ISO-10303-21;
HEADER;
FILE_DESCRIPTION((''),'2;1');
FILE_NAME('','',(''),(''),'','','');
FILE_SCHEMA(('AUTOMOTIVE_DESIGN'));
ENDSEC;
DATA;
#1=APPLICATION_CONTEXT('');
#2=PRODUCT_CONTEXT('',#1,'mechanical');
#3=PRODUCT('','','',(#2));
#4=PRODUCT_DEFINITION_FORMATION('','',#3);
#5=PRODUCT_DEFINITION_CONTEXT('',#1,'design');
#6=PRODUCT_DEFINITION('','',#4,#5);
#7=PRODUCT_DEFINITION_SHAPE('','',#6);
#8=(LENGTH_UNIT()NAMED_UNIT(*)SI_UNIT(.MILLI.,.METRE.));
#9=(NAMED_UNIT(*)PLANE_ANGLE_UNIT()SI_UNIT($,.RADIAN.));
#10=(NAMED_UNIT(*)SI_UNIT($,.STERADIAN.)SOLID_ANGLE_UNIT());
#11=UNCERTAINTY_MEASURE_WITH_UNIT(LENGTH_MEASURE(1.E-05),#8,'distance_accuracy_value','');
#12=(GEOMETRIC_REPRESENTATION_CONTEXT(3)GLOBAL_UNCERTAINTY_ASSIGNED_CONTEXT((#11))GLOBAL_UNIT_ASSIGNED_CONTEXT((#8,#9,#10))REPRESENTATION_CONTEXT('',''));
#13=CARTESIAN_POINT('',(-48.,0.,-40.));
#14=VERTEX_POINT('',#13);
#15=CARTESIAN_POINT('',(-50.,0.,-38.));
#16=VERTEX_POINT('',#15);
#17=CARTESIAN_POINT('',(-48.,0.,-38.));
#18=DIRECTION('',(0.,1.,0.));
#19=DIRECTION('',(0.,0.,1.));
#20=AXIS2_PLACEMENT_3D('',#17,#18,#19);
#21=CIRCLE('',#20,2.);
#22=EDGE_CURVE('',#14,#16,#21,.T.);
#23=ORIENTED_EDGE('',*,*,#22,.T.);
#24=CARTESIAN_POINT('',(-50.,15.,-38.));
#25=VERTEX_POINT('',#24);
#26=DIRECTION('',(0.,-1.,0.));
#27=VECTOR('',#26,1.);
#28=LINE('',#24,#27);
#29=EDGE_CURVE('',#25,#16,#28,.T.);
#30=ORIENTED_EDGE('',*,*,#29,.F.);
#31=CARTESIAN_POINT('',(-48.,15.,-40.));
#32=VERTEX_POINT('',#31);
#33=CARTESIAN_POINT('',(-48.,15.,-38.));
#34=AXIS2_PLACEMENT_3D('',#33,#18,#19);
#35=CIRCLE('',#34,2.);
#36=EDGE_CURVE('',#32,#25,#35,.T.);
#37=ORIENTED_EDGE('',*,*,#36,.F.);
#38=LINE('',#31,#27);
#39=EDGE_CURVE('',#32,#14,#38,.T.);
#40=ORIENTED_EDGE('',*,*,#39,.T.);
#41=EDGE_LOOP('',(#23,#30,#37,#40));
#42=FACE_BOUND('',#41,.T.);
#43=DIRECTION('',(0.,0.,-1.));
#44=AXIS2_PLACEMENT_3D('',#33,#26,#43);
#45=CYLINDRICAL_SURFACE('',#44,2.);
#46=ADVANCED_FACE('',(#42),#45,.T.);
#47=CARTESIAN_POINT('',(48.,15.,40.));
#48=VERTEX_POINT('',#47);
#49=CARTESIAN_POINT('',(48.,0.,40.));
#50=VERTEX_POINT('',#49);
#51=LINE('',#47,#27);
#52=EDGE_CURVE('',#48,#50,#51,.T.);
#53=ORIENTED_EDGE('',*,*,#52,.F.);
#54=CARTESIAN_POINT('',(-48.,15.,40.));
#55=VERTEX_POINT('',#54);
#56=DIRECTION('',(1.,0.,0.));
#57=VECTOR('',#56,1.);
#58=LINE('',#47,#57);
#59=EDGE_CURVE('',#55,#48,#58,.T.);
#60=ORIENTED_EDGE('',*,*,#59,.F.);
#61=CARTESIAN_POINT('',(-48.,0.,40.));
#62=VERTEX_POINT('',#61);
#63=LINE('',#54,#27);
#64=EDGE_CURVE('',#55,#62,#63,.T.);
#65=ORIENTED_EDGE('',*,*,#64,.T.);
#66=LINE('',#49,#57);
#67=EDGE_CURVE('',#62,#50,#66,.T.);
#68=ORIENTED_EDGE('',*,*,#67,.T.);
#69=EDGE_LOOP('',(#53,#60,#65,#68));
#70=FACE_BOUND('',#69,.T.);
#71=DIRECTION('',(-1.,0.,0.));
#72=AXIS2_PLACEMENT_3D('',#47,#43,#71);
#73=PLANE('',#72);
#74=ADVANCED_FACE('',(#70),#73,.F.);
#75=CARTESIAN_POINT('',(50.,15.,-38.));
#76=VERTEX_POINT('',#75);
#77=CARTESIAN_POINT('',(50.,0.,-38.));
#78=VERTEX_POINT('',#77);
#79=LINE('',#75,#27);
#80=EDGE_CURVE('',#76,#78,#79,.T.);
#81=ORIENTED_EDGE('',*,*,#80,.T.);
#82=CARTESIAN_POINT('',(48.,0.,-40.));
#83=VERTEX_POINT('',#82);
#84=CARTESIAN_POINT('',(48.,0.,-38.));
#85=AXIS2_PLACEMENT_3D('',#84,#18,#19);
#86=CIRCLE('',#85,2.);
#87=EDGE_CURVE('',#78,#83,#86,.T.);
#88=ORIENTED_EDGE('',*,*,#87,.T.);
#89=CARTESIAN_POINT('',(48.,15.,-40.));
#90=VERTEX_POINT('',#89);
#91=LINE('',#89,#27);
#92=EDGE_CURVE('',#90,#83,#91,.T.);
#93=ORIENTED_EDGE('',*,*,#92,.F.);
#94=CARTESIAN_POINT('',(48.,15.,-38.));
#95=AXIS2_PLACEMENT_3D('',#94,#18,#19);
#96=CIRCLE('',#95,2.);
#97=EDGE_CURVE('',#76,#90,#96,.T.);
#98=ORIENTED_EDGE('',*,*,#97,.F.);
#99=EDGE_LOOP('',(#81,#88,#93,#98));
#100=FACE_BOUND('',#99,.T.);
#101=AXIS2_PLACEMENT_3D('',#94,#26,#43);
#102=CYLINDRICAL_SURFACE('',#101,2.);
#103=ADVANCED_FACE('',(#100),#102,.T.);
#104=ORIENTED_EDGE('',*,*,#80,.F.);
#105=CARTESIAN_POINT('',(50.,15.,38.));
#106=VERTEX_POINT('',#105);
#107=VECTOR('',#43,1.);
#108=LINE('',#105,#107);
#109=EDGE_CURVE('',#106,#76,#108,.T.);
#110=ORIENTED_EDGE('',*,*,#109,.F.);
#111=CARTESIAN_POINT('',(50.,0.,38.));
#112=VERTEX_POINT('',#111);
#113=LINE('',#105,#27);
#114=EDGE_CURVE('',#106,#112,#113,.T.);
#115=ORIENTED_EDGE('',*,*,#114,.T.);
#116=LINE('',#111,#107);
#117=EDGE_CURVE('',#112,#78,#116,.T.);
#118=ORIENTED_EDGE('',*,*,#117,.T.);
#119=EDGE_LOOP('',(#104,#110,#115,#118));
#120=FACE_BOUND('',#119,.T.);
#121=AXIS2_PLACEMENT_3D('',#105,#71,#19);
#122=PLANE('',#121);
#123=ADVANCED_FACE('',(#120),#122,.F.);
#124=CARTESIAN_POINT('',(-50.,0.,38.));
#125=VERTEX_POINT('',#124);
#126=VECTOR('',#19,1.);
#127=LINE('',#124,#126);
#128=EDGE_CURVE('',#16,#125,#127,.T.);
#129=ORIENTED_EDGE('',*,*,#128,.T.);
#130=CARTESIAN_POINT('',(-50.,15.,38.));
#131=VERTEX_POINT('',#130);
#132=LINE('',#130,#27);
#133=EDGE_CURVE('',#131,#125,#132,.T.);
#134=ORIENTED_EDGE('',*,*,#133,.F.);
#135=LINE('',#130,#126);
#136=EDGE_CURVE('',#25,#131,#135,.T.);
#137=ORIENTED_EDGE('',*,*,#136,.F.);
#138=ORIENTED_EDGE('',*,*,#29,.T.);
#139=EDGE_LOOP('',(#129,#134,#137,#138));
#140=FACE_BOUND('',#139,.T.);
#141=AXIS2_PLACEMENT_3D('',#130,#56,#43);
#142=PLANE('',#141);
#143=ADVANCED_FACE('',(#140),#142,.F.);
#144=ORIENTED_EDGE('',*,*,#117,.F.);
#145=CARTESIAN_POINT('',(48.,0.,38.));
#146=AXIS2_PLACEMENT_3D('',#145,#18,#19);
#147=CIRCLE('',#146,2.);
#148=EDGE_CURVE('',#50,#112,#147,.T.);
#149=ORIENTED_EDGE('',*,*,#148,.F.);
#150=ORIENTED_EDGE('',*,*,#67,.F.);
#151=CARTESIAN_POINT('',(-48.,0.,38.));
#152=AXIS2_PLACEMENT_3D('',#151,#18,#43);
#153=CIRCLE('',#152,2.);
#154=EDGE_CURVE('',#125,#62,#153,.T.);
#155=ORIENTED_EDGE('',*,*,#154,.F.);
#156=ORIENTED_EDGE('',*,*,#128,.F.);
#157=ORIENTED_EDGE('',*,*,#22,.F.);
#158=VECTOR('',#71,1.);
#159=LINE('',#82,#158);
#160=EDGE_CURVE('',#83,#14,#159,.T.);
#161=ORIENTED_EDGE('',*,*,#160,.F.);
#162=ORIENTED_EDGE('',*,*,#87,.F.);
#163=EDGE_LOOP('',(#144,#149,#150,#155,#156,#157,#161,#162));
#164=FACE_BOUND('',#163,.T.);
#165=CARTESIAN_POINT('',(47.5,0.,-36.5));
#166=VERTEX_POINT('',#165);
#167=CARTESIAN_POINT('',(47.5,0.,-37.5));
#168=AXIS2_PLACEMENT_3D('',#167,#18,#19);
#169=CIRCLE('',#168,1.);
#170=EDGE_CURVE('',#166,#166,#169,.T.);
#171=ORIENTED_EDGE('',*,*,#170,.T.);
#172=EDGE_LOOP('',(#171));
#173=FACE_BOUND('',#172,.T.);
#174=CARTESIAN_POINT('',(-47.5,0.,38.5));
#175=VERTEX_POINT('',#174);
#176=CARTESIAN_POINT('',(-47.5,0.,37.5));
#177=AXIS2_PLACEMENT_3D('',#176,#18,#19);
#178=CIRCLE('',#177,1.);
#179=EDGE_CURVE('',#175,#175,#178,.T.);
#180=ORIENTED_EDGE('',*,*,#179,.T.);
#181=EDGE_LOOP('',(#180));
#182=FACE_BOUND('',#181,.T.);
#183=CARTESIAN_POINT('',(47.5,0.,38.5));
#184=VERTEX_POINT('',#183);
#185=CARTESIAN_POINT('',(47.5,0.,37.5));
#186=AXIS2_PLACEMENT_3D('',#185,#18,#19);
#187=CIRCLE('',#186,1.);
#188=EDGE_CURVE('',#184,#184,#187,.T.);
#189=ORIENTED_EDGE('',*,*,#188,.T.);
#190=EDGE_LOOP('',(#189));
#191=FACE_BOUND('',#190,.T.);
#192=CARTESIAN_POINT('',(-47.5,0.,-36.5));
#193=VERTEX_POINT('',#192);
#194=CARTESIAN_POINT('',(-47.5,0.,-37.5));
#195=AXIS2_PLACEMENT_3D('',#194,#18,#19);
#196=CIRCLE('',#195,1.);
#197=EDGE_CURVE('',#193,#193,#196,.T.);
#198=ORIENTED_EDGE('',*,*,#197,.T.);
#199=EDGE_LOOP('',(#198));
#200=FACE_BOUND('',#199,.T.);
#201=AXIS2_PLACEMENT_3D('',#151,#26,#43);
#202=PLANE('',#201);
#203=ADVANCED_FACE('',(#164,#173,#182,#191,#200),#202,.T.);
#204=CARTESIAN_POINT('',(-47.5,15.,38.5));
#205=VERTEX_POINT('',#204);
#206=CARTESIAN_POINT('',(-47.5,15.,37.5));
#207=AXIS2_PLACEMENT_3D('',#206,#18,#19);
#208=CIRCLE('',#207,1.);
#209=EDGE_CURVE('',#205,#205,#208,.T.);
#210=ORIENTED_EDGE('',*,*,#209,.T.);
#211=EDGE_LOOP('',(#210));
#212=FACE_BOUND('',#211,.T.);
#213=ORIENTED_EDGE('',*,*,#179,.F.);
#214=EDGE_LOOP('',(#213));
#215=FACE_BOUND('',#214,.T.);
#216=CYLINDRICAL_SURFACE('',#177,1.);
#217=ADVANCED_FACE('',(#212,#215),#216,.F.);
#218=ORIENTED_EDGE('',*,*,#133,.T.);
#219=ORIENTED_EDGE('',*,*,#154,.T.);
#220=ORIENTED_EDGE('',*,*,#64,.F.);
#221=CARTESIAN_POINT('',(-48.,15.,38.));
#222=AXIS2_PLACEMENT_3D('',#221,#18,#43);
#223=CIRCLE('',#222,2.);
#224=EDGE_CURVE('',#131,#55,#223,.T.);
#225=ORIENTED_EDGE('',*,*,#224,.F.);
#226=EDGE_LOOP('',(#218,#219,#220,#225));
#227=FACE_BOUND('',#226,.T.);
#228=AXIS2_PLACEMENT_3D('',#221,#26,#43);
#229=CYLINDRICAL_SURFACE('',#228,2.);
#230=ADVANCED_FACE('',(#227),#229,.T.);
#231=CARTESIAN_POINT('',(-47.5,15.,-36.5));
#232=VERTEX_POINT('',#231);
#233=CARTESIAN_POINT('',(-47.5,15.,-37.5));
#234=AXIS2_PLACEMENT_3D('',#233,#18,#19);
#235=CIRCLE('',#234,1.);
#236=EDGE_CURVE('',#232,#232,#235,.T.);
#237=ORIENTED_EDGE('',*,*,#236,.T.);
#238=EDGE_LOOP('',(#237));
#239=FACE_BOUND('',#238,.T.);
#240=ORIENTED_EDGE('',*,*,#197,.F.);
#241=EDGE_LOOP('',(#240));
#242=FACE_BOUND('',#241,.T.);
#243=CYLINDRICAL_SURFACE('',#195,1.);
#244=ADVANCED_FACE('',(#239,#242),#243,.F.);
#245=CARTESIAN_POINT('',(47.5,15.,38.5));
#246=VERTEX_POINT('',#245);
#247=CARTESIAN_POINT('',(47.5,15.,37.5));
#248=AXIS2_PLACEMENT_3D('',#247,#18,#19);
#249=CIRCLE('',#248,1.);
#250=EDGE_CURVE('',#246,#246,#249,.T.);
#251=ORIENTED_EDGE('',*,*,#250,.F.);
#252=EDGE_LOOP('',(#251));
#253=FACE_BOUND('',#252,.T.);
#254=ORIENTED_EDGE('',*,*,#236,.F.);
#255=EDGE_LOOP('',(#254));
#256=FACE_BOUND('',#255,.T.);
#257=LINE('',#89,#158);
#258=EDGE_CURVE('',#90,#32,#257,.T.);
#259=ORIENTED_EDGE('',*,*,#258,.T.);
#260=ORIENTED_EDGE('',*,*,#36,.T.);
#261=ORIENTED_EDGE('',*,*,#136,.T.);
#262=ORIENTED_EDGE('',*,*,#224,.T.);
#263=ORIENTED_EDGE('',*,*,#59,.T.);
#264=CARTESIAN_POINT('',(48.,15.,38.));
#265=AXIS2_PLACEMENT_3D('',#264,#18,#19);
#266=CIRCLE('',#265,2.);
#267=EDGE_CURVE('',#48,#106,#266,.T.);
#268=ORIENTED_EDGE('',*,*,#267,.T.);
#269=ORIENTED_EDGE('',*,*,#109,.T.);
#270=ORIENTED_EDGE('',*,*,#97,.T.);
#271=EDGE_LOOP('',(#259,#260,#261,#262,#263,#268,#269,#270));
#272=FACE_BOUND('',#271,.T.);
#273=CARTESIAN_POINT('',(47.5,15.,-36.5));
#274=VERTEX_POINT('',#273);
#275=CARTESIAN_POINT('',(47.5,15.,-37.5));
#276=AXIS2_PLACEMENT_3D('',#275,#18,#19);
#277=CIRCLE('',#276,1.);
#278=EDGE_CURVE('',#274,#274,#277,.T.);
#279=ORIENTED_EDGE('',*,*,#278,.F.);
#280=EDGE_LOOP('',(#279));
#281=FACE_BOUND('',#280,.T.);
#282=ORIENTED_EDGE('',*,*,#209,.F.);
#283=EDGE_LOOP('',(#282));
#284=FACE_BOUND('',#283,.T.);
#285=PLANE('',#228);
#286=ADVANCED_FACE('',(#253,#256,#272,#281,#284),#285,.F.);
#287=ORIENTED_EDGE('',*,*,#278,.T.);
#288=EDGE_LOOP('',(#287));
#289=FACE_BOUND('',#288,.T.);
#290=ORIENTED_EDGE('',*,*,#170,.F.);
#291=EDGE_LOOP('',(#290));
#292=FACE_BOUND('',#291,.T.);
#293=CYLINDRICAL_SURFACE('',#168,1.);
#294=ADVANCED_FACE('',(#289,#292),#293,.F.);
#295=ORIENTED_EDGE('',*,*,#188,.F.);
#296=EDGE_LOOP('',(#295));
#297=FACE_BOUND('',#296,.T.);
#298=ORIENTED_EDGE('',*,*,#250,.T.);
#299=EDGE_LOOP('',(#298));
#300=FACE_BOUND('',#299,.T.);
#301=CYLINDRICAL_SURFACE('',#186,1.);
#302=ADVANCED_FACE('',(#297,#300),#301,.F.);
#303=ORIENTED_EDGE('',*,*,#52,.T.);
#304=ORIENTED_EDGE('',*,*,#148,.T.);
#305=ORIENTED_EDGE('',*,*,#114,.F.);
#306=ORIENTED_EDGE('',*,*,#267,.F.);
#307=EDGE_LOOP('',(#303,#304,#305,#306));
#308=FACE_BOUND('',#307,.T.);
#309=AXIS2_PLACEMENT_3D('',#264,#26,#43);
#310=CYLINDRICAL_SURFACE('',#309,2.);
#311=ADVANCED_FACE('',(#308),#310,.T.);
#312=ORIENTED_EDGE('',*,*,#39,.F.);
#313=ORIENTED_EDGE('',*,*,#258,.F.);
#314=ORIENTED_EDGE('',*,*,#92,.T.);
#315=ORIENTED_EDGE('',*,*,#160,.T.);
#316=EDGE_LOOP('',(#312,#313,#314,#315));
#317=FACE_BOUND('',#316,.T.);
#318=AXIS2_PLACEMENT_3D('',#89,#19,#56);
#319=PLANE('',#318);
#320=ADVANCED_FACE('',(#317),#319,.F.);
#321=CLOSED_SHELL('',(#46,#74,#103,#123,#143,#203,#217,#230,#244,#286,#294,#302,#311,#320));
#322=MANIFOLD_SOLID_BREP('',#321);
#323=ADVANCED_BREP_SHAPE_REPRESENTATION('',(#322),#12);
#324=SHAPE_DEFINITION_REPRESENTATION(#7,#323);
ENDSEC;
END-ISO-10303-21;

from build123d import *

# Parameters (mm, degrees)
EXTRUDE_1_DEPTH     = 15
SKETCH_2_R          = 1
CUT_EXTRUDE_1_DEPTH = 66.76473219


with BuildPart() as part:
    # 草图1 → 凸台-拉伸1 (new body)
    with BuildSketch(Plane(origin=(0, 0, 0), x_dir=(1, 0, 0), z_dir=(0, 1, 0))):
        with BuildLine():
            Line((48, -40), (-48, -40))
            ThreePointArc((-48, -40), (-49.414213562, -39.414213562), (-50, -38))
            Line((-50, -38), (-50, 38))
            ThreePointArc((-50, 38), (-49.414213562, 39.414213562), (-48, 40))
            Line((-48, 40), (48, 40))
            ThreePointArc((48, 40), (49.414213562, 39.414213562), (50, 38))
            Line((50, 38), (50, -38))
            ThreePointArc((50, -38), (49.414213562, -39.414213562), (48, -40))
        make_face()
    extrude(amount=EXTRUDE_1_DEPTH)

    # 草图2 → 切除-拉伸1 (cut, through all)
    with BuildSketch(Plane(origin=(0, 15, 0), x_dir=(1, 0, 0), z_dir=(0, 1, 0))):
        with Locations(Location((-47.5, 37.5, 0), (0, 0, 270))):
            Circle(SKETCH_2_R)
        with Locations(Location((47.5, 37.5, 0), (0, 0, 270))):
            Circle(SKETCH_2_R)
        with Locations(Location((47.5, -37.5, 0), (0, 0, 270))):
            Circle(SKETCH_2_R)
        with Locations(Location((-47.5, -37.5, 0), (0, 0, 270))):
            Circle(SKETCH_2_R)
    extrude(amount=-CUT_EXTRUDE_1_DEPTH, mode=Mode.SUBTRACT)


solid = part.part
